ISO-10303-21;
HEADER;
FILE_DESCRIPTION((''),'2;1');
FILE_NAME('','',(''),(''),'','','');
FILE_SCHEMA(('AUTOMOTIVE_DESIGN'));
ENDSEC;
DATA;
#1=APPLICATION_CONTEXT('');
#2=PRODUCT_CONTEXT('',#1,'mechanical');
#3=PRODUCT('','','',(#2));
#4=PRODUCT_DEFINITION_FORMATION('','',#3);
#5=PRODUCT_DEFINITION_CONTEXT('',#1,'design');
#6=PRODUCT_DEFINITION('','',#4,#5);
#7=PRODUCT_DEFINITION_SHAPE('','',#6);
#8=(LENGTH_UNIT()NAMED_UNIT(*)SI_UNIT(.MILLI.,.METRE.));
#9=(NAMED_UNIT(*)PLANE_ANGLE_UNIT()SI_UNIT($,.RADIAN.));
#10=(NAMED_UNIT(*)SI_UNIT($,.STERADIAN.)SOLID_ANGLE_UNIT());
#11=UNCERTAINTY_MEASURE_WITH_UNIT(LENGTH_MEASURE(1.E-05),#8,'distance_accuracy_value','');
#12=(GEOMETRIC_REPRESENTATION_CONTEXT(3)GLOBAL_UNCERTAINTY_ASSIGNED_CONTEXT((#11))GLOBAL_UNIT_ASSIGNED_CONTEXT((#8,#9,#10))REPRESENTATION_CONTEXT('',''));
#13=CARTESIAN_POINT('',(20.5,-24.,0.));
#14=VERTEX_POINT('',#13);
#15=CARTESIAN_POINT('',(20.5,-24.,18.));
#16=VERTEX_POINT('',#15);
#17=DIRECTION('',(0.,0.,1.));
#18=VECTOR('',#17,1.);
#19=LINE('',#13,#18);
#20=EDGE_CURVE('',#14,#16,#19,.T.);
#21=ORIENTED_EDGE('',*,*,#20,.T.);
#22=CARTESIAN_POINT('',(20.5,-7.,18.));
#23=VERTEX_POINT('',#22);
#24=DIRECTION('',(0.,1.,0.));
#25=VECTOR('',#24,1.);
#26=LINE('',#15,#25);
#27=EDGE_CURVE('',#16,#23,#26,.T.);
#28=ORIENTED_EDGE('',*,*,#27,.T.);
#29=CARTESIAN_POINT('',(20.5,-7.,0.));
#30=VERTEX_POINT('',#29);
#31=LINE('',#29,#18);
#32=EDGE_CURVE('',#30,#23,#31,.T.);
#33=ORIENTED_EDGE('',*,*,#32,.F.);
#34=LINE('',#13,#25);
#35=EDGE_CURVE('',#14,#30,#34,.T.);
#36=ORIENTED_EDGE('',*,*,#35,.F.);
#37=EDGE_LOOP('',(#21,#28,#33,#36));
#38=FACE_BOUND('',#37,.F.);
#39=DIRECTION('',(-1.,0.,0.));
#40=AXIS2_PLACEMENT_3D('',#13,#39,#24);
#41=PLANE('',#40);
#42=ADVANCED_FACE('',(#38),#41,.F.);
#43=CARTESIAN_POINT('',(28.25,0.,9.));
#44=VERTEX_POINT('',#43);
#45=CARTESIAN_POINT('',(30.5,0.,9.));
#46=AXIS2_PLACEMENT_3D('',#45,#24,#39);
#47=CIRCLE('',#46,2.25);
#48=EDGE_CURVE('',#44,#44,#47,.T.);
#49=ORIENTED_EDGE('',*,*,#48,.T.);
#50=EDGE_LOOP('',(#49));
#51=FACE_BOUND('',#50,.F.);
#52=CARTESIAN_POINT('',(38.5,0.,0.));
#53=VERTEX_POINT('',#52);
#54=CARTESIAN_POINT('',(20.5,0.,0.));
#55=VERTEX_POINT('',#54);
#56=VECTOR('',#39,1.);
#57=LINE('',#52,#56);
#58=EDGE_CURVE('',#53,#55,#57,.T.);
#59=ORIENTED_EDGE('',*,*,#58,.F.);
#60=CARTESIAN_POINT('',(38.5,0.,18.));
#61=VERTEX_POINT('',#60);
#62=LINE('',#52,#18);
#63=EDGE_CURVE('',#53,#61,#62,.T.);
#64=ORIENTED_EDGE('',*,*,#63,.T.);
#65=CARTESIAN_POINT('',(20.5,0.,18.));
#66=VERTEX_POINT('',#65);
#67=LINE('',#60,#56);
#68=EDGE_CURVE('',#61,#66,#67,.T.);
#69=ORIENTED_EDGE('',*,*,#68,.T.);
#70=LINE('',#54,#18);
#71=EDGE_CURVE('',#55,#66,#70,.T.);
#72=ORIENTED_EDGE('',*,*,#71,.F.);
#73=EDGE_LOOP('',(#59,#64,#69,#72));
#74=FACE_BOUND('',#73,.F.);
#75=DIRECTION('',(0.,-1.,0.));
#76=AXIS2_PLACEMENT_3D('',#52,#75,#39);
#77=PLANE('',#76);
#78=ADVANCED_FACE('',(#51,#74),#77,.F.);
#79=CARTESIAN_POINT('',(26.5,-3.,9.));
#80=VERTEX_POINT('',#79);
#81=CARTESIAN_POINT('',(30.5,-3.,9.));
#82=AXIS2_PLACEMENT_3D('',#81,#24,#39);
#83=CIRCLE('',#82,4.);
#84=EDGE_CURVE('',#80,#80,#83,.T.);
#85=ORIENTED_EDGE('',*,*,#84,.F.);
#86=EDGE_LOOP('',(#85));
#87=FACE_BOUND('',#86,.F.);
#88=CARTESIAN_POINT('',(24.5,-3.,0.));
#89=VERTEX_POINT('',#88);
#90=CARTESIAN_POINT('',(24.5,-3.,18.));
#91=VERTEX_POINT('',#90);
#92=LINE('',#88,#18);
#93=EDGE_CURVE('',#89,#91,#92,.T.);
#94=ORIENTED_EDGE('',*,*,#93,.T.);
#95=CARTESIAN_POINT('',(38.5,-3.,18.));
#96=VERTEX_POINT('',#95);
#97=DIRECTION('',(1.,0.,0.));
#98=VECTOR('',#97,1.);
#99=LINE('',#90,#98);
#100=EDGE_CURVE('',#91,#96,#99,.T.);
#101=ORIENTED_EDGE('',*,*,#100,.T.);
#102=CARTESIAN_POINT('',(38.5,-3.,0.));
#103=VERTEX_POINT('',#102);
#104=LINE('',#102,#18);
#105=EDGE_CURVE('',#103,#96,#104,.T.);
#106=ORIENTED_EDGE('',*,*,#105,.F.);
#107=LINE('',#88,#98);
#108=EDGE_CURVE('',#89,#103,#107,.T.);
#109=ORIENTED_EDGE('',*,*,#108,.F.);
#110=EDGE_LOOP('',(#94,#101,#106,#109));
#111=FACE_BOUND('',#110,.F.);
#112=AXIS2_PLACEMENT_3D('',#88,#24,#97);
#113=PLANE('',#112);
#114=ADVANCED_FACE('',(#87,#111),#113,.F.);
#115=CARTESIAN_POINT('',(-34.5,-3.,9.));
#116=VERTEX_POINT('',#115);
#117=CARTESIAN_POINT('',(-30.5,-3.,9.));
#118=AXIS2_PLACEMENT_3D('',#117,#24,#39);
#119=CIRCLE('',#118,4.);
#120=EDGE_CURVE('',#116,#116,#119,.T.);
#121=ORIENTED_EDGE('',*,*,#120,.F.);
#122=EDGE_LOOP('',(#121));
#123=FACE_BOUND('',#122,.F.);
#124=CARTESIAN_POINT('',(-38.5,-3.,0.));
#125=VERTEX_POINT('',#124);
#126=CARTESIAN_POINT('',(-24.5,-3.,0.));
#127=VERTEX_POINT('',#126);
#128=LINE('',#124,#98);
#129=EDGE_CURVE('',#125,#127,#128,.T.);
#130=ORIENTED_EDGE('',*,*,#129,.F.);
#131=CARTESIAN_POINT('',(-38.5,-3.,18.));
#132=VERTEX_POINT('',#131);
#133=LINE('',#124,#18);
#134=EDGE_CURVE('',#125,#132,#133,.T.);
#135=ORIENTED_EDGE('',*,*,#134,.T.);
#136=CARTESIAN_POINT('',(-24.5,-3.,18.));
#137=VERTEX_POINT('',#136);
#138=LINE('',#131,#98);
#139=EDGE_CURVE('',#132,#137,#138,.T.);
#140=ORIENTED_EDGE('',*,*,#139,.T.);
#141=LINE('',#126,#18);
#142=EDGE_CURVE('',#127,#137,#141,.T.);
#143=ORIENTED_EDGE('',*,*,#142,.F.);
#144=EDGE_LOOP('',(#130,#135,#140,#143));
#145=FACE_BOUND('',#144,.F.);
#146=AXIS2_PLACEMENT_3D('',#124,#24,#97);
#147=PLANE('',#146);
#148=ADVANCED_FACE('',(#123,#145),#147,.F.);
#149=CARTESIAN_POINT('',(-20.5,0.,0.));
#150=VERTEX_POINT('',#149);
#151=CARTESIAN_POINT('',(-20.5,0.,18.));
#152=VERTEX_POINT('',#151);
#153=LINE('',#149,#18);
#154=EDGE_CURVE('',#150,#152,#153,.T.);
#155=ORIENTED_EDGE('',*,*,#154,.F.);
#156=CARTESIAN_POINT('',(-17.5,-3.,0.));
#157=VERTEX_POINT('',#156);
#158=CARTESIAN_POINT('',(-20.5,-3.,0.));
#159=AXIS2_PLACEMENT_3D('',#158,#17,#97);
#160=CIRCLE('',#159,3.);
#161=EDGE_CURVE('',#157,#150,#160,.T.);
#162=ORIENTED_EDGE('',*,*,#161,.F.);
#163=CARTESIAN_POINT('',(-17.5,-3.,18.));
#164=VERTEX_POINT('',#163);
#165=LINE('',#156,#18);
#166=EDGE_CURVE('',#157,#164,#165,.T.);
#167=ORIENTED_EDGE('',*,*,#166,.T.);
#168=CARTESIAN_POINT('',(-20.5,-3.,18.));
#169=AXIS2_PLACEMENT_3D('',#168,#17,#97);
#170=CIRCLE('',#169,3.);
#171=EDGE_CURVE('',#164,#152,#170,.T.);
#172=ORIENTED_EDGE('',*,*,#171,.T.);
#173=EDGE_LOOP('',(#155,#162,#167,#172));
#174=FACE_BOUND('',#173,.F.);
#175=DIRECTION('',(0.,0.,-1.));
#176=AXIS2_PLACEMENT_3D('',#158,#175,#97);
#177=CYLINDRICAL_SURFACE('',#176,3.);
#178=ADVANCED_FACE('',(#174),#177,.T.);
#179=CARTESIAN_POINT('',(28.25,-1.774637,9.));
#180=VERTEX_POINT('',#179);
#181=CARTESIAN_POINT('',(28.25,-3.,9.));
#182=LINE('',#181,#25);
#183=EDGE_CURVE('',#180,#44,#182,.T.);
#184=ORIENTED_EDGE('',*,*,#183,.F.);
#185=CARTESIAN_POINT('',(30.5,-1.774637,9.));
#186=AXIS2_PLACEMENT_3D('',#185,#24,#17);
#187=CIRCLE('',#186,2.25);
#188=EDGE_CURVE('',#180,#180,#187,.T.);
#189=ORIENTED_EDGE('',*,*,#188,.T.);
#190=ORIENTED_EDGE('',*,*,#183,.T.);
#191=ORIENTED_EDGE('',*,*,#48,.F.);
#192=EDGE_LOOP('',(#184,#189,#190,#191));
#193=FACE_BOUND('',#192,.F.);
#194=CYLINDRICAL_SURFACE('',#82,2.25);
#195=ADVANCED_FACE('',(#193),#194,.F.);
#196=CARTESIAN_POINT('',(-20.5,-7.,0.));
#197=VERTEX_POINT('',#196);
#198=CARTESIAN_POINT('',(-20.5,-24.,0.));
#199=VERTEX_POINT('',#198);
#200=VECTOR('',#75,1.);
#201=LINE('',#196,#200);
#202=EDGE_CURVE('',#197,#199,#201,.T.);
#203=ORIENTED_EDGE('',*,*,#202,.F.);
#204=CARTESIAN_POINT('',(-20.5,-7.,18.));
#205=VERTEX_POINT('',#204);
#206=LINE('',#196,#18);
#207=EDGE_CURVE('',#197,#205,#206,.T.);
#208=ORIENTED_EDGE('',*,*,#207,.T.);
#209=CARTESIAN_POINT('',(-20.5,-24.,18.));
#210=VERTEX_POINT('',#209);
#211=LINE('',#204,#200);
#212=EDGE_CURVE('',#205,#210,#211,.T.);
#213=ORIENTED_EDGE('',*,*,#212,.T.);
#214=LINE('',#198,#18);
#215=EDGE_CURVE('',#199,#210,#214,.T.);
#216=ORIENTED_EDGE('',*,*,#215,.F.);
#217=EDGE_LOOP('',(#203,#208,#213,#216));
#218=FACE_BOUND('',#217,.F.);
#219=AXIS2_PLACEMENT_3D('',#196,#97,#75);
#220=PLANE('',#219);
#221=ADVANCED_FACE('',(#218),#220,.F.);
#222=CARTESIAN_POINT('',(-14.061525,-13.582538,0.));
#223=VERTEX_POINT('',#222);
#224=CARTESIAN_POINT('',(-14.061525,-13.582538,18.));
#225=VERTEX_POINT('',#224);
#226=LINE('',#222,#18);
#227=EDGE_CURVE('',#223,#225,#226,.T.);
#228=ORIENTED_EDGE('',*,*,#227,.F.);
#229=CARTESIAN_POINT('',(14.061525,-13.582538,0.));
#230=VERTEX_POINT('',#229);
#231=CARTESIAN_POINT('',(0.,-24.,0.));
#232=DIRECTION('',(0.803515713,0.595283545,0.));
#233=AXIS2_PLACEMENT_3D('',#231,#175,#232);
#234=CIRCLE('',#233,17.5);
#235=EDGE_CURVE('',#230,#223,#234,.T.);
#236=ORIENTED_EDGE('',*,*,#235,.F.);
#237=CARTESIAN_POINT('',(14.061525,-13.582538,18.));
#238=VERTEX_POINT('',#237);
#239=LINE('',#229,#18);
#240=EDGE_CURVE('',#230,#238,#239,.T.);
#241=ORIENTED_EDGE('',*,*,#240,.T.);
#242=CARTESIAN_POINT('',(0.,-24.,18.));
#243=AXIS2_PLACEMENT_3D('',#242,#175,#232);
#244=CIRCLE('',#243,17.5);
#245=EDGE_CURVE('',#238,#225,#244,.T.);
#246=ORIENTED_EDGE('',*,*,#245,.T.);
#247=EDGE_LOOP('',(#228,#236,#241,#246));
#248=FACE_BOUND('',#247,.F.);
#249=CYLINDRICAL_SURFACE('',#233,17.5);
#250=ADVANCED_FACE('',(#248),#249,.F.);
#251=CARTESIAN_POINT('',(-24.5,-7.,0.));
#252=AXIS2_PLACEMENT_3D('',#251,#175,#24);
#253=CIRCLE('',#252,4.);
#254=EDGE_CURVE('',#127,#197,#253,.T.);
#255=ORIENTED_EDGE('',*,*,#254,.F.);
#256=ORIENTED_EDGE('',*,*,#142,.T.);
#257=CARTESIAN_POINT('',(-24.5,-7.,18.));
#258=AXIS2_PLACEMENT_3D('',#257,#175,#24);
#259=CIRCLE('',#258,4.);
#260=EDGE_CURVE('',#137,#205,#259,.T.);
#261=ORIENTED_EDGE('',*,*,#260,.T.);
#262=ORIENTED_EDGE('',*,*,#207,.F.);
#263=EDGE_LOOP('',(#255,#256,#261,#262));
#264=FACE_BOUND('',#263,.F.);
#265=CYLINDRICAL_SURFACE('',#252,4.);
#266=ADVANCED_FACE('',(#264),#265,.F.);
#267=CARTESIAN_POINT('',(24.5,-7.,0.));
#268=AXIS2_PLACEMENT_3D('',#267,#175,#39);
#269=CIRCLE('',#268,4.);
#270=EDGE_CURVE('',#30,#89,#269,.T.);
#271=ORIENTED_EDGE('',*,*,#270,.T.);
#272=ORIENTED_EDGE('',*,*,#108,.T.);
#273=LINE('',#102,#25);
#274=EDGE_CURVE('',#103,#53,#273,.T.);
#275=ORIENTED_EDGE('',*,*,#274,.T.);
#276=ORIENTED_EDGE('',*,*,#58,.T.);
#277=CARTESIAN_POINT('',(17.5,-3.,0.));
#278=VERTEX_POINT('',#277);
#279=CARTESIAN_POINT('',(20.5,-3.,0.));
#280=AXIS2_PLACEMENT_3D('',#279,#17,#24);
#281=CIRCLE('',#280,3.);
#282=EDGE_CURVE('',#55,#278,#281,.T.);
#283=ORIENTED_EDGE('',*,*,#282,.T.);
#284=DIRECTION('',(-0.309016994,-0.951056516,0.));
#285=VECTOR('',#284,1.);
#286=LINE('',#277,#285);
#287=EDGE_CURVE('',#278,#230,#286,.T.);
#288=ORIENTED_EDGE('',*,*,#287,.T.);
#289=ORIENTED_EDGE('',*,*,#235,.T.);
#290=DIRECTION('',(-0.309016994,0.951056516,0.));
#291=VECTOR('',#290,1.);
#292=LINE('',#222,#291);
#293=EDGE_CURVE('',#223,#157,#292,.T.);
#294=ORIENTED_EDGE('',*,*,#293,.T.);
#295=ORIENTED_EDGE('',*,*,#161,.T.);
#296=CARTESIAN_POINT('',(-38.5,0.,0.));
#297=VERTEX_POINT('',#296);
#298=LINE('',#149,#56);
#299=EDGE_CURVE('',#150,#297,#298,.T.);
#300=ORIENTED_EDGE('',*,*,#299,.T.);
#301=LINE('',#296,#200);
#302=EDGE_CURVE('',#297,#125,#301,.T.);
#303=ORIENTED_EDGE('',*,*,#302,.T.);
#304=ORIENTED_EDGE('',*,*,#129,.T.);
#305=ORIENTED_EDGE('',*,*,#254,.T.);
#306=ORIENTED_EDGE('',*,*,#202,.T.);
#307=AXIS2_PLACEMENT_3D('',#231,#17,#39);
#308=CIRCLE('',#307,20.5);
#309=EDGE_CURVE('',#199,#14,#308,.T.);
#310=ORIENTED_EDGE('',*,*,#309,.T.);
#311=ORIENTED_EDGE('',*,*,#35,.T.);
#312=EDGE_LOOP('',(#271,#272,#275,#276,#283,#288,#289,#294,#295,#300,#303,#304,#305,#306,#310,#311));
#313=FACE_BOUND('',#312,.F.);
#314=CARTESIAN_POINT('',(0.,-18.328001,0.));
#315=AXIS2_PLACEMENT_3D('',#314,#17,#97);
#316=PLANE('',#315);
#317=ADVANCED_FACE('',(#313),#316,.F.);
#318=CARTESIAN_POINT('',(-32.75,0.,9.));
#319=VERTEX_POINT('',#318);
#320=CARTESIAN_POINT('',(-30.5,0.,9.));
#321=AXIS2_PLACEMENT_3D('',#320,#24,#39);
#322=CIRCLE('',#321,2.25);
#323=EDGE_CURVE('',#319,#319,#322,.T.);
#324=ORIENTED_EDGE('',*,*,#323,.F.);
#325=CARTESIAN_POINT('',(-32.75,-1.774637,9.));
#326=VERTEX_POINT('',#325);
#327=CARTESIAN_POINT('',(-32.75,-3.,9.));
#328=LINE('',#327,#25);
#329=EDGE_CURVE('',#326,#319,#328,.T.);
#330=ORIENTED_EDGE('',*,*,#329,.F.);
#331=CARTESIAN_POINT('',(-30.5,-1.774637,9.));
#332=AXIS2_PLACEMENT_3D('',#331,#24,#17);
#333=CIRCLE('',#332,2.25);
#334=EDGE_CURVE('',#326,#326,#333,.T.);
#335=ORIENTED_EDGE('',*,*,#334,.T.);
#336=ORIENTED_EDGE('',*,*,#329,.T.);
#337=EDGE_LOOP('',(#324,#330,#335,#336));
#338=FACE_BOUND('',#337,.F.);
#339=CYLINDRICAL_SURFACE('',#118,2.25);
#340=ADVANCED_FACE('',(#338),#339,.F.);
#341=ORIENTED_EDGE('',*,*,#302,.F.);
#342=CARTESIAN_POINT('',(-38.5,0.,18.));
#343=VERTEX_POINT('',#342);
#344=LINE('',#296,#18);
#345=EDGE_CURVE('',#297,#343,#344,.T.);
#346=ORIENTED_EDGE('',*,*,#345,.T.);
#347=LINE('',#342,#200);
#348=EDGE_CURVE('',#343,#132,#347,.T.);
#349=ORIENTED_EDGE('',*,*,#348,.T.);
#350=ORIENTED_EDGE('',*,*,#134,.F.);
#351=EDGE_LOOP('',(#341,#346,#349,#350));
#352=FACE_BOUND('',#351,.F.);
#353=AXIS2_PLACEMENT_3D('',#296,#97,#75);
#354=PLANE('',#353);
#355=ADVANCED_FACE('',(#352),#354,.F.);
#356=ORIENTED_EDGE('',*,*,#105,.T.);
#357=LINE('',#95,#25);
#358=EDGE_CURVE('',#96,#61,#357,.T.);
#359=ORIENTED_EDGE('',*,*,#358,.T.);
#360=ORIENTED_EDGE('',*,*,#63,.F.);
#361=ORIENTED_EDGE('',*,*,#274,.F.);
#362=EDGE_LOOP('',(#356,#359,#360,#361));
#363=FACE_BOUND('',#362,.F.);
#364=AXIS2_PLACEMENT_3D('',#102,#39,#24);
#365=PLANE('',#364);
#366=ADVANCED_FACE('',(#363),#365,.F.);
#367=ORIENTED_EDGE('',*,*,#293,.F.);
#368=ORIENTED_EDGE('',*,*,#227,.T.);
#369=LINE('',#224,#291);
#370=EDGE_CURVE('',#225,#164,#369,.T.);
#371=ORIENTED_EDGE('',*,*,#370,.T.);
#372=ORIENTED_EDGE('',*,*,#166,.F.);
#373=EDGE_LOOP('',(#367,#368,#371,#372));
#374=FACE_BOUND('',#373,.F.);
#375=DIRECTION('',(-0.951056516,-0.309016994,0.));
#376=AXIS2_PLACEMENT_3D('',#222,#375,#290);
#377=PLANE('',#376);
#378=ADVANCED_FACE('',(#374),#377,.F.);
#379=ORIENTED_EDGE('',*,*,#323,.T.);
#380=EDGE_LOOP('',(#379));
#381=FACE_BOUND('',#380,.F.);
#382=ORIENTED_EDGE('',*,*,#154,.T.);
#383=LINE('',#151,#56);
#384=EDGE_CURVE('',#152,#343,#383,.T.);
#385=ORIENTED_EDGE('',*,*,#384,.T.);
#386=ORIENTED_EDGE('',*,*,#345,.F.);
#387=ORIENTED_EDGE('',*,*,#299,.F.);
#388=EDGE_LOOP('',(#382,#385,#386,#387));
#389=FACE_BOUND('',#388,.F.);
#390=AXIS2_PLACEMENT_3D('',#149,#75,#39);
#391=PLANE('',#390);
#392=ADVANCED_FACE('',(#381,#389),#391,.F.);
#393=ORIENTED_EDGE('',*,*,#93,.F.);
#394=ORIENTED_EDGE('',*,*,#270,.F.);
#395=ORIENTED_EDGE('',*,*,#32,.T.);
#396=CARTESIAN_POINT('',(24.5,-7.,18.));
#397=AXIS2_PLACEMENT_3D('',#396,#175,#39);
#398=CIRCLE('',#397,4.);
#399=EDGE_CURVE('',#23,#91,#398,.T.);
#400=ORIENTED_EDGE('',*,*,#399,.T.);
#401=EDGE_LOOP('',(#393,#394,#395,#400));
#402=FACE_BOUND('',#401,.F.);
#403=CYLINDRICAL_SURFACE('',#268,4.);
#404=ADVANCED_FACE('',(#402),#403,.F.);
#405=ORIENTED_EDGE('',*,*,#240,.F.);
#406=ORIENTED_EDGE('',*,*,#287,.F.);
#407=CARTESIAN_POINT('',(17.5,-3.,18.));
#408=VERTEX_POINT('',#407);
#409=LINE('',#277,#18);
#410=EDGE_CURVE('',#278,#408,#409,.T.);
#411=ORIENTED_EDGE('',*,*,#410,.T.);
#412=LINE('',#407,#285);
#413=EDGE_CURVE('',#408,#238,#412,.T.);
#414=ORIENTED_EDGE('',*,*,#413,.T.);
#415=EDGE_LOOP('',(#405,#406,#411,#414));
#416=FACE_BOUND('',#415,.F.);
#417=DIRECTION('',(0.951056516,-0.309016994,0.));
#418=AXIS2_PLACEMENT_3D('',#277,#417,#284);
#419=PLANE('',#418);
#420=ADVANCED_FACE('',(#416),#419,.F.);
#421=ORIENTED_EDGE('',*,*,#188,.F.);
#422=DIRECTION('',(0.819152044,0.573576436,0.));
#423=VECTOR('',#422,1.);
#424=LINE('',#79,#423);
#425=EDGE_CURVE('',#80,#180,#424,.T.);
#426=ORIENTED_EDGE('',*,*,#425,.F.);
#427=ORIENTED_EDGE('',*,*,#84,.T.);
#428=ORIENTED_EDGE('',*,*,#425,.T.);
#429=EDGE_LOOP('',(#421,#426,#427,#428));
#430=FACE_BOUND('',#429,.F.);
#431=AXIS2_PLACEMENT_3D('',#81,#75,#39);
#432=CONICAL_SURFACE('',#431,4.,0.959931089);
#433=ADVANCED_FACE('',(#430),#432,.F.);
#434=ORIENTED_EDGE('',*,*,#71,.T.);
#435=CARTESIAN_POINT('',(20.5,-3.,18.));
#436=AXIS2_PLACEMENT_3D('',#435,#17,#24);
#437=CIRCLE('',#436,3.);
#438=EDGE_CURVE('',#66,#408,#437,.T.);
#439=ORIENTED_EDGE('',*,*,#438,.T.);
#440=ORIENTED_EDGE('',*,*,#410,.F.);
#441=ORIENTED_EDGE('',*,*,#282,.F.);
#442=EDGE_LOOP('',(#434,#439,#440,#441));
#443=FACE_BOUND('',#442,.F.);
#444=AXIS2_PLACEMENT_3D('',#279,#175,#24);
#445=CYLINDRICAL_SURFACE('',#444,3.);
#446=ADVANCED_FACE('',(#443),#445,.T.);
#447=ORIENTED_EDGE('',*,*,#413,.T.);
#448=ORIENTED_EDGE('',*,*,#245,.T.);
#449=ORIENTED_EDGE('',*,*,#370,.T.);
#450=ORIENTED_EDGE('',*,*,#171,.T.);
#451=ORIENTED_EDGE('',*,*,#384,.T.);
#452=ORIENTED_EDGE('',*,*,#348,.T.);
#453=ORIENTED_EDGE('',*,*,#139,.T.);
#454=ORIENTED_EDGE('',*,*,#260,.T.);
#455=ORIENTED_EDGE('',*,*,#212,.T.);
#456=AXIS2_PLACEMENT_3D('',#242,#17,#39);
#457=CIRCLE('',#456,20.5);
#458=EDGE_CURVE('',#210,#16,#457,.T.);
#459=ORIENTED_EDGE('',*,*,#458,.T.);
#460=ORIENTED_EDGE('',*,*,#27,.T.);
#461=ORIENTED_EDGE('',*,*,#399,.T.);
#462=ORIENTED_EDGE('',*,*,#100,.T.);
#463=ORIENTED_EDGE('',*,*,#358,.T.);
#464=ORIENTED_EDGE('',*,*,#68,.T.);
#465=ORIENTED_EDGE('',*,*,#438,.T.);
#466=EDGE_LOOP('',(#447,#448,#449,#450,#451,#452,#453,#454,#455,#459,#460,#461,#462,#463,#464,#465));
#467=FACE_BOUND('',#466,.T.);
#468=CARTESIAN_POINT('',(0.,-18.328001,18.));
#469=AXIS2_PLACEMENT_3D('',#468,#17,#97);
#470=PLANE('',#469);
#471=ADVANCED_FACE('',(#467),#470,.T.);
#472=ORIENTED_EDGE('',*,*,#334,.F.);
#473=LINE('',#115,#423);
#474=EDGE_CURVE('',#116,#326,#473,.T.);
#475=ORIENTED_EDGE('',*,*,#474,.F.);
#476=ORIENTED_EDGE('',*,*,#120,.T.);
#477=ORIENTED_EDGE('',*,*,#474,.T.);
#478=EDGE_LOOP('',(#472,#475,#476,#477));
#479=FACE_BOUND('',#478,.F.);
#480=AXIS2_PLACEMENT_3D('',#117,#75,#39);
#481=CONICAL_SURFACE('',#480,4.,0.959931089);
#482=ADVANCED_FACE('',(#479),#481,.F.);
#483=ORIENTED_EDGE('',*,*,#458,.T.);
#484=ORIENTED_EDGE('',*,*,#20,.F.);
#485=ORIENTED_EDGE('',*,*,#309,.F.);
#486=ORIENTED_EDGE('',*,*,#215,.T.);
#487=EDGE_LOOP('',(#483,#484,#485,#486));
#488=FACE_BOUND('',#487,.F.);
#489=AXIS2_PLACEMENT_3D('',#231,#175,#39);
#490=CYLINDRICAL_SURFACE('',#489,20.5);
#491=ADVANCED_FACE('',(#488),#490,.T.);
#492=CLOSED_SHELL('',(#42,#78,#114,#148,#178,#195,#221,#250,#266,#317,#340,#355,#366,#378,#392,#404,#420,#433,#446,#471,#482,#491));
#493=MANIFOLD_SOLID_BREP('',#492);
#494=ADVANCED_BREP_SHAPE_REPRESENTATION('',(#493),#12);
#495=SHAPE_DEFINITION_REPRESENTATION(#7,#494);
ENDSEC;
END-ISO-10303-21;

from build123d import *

# Parameters (mm, degrees)
F1_DEPTH       = 18
F3_D           = 4.5
F3_CSINK_D     = 8
F3_CSINK_ANGLE = 110


with BuildPart() as f1:
    # F0 (on Top) → F1 (new body)
    with BuildSketch(Plane.XY):
        with BuildLine():
            Line((-20.5, 0), (-38.5, 0))
            Line((-38.5, 0), (-38.5, -3))
            Line((-38.5, -3), (-24.5, -3))
            ThreePointArc((-24.5, -3), (-21.6715728753, -4.1715728753), (-20.5, -7))
            Line((-20.5, -7), (-20.5, -24))
            ThreePointArc((-20.5, -24), (0, -44.5), (20.5, -24))
            Line((20.5, -24), (20.5, -7))
            ThreePointArc((20.5, -7), (21.6715728753, -4.1715728753), (24.5, -3))
            Line((24.5, -3), (38.5, -3))
            Line((38.5, -3), (38.5, 0))
            Line((38.5, 0), (20.5, 0))
            ThreePointArc((20.5, 0), (18.3786796564, -0.8786796564), (17.5, -3))
            Line((17.5, -3), (14.0615249792, -13.5825379646))
            ThreePointArc((14.0615249792, -13.5825379646), (0, -41.5), (-14.0615249792, -13.5825379646))
            Line((-14.0615249792, -13.5825379646), (-17.5, -3))
            ThreePointArc((-17.5, -3), (-18.3786796564, -0.8786796564), (-20.5, 0))
        make_face()
    extrude(amount=F1_DEPTH)

    # F3 (through all)
    with Locations(Plane.XZ.offset(3)):
        with Locations((-30.5, 9), (30.5, 9)):
            CounterSinkHole(F3_D / 2, F3_CSINK_D / 2, counter_sink_angle=F3_CSINK_ANGLE)


solid = f1.part
